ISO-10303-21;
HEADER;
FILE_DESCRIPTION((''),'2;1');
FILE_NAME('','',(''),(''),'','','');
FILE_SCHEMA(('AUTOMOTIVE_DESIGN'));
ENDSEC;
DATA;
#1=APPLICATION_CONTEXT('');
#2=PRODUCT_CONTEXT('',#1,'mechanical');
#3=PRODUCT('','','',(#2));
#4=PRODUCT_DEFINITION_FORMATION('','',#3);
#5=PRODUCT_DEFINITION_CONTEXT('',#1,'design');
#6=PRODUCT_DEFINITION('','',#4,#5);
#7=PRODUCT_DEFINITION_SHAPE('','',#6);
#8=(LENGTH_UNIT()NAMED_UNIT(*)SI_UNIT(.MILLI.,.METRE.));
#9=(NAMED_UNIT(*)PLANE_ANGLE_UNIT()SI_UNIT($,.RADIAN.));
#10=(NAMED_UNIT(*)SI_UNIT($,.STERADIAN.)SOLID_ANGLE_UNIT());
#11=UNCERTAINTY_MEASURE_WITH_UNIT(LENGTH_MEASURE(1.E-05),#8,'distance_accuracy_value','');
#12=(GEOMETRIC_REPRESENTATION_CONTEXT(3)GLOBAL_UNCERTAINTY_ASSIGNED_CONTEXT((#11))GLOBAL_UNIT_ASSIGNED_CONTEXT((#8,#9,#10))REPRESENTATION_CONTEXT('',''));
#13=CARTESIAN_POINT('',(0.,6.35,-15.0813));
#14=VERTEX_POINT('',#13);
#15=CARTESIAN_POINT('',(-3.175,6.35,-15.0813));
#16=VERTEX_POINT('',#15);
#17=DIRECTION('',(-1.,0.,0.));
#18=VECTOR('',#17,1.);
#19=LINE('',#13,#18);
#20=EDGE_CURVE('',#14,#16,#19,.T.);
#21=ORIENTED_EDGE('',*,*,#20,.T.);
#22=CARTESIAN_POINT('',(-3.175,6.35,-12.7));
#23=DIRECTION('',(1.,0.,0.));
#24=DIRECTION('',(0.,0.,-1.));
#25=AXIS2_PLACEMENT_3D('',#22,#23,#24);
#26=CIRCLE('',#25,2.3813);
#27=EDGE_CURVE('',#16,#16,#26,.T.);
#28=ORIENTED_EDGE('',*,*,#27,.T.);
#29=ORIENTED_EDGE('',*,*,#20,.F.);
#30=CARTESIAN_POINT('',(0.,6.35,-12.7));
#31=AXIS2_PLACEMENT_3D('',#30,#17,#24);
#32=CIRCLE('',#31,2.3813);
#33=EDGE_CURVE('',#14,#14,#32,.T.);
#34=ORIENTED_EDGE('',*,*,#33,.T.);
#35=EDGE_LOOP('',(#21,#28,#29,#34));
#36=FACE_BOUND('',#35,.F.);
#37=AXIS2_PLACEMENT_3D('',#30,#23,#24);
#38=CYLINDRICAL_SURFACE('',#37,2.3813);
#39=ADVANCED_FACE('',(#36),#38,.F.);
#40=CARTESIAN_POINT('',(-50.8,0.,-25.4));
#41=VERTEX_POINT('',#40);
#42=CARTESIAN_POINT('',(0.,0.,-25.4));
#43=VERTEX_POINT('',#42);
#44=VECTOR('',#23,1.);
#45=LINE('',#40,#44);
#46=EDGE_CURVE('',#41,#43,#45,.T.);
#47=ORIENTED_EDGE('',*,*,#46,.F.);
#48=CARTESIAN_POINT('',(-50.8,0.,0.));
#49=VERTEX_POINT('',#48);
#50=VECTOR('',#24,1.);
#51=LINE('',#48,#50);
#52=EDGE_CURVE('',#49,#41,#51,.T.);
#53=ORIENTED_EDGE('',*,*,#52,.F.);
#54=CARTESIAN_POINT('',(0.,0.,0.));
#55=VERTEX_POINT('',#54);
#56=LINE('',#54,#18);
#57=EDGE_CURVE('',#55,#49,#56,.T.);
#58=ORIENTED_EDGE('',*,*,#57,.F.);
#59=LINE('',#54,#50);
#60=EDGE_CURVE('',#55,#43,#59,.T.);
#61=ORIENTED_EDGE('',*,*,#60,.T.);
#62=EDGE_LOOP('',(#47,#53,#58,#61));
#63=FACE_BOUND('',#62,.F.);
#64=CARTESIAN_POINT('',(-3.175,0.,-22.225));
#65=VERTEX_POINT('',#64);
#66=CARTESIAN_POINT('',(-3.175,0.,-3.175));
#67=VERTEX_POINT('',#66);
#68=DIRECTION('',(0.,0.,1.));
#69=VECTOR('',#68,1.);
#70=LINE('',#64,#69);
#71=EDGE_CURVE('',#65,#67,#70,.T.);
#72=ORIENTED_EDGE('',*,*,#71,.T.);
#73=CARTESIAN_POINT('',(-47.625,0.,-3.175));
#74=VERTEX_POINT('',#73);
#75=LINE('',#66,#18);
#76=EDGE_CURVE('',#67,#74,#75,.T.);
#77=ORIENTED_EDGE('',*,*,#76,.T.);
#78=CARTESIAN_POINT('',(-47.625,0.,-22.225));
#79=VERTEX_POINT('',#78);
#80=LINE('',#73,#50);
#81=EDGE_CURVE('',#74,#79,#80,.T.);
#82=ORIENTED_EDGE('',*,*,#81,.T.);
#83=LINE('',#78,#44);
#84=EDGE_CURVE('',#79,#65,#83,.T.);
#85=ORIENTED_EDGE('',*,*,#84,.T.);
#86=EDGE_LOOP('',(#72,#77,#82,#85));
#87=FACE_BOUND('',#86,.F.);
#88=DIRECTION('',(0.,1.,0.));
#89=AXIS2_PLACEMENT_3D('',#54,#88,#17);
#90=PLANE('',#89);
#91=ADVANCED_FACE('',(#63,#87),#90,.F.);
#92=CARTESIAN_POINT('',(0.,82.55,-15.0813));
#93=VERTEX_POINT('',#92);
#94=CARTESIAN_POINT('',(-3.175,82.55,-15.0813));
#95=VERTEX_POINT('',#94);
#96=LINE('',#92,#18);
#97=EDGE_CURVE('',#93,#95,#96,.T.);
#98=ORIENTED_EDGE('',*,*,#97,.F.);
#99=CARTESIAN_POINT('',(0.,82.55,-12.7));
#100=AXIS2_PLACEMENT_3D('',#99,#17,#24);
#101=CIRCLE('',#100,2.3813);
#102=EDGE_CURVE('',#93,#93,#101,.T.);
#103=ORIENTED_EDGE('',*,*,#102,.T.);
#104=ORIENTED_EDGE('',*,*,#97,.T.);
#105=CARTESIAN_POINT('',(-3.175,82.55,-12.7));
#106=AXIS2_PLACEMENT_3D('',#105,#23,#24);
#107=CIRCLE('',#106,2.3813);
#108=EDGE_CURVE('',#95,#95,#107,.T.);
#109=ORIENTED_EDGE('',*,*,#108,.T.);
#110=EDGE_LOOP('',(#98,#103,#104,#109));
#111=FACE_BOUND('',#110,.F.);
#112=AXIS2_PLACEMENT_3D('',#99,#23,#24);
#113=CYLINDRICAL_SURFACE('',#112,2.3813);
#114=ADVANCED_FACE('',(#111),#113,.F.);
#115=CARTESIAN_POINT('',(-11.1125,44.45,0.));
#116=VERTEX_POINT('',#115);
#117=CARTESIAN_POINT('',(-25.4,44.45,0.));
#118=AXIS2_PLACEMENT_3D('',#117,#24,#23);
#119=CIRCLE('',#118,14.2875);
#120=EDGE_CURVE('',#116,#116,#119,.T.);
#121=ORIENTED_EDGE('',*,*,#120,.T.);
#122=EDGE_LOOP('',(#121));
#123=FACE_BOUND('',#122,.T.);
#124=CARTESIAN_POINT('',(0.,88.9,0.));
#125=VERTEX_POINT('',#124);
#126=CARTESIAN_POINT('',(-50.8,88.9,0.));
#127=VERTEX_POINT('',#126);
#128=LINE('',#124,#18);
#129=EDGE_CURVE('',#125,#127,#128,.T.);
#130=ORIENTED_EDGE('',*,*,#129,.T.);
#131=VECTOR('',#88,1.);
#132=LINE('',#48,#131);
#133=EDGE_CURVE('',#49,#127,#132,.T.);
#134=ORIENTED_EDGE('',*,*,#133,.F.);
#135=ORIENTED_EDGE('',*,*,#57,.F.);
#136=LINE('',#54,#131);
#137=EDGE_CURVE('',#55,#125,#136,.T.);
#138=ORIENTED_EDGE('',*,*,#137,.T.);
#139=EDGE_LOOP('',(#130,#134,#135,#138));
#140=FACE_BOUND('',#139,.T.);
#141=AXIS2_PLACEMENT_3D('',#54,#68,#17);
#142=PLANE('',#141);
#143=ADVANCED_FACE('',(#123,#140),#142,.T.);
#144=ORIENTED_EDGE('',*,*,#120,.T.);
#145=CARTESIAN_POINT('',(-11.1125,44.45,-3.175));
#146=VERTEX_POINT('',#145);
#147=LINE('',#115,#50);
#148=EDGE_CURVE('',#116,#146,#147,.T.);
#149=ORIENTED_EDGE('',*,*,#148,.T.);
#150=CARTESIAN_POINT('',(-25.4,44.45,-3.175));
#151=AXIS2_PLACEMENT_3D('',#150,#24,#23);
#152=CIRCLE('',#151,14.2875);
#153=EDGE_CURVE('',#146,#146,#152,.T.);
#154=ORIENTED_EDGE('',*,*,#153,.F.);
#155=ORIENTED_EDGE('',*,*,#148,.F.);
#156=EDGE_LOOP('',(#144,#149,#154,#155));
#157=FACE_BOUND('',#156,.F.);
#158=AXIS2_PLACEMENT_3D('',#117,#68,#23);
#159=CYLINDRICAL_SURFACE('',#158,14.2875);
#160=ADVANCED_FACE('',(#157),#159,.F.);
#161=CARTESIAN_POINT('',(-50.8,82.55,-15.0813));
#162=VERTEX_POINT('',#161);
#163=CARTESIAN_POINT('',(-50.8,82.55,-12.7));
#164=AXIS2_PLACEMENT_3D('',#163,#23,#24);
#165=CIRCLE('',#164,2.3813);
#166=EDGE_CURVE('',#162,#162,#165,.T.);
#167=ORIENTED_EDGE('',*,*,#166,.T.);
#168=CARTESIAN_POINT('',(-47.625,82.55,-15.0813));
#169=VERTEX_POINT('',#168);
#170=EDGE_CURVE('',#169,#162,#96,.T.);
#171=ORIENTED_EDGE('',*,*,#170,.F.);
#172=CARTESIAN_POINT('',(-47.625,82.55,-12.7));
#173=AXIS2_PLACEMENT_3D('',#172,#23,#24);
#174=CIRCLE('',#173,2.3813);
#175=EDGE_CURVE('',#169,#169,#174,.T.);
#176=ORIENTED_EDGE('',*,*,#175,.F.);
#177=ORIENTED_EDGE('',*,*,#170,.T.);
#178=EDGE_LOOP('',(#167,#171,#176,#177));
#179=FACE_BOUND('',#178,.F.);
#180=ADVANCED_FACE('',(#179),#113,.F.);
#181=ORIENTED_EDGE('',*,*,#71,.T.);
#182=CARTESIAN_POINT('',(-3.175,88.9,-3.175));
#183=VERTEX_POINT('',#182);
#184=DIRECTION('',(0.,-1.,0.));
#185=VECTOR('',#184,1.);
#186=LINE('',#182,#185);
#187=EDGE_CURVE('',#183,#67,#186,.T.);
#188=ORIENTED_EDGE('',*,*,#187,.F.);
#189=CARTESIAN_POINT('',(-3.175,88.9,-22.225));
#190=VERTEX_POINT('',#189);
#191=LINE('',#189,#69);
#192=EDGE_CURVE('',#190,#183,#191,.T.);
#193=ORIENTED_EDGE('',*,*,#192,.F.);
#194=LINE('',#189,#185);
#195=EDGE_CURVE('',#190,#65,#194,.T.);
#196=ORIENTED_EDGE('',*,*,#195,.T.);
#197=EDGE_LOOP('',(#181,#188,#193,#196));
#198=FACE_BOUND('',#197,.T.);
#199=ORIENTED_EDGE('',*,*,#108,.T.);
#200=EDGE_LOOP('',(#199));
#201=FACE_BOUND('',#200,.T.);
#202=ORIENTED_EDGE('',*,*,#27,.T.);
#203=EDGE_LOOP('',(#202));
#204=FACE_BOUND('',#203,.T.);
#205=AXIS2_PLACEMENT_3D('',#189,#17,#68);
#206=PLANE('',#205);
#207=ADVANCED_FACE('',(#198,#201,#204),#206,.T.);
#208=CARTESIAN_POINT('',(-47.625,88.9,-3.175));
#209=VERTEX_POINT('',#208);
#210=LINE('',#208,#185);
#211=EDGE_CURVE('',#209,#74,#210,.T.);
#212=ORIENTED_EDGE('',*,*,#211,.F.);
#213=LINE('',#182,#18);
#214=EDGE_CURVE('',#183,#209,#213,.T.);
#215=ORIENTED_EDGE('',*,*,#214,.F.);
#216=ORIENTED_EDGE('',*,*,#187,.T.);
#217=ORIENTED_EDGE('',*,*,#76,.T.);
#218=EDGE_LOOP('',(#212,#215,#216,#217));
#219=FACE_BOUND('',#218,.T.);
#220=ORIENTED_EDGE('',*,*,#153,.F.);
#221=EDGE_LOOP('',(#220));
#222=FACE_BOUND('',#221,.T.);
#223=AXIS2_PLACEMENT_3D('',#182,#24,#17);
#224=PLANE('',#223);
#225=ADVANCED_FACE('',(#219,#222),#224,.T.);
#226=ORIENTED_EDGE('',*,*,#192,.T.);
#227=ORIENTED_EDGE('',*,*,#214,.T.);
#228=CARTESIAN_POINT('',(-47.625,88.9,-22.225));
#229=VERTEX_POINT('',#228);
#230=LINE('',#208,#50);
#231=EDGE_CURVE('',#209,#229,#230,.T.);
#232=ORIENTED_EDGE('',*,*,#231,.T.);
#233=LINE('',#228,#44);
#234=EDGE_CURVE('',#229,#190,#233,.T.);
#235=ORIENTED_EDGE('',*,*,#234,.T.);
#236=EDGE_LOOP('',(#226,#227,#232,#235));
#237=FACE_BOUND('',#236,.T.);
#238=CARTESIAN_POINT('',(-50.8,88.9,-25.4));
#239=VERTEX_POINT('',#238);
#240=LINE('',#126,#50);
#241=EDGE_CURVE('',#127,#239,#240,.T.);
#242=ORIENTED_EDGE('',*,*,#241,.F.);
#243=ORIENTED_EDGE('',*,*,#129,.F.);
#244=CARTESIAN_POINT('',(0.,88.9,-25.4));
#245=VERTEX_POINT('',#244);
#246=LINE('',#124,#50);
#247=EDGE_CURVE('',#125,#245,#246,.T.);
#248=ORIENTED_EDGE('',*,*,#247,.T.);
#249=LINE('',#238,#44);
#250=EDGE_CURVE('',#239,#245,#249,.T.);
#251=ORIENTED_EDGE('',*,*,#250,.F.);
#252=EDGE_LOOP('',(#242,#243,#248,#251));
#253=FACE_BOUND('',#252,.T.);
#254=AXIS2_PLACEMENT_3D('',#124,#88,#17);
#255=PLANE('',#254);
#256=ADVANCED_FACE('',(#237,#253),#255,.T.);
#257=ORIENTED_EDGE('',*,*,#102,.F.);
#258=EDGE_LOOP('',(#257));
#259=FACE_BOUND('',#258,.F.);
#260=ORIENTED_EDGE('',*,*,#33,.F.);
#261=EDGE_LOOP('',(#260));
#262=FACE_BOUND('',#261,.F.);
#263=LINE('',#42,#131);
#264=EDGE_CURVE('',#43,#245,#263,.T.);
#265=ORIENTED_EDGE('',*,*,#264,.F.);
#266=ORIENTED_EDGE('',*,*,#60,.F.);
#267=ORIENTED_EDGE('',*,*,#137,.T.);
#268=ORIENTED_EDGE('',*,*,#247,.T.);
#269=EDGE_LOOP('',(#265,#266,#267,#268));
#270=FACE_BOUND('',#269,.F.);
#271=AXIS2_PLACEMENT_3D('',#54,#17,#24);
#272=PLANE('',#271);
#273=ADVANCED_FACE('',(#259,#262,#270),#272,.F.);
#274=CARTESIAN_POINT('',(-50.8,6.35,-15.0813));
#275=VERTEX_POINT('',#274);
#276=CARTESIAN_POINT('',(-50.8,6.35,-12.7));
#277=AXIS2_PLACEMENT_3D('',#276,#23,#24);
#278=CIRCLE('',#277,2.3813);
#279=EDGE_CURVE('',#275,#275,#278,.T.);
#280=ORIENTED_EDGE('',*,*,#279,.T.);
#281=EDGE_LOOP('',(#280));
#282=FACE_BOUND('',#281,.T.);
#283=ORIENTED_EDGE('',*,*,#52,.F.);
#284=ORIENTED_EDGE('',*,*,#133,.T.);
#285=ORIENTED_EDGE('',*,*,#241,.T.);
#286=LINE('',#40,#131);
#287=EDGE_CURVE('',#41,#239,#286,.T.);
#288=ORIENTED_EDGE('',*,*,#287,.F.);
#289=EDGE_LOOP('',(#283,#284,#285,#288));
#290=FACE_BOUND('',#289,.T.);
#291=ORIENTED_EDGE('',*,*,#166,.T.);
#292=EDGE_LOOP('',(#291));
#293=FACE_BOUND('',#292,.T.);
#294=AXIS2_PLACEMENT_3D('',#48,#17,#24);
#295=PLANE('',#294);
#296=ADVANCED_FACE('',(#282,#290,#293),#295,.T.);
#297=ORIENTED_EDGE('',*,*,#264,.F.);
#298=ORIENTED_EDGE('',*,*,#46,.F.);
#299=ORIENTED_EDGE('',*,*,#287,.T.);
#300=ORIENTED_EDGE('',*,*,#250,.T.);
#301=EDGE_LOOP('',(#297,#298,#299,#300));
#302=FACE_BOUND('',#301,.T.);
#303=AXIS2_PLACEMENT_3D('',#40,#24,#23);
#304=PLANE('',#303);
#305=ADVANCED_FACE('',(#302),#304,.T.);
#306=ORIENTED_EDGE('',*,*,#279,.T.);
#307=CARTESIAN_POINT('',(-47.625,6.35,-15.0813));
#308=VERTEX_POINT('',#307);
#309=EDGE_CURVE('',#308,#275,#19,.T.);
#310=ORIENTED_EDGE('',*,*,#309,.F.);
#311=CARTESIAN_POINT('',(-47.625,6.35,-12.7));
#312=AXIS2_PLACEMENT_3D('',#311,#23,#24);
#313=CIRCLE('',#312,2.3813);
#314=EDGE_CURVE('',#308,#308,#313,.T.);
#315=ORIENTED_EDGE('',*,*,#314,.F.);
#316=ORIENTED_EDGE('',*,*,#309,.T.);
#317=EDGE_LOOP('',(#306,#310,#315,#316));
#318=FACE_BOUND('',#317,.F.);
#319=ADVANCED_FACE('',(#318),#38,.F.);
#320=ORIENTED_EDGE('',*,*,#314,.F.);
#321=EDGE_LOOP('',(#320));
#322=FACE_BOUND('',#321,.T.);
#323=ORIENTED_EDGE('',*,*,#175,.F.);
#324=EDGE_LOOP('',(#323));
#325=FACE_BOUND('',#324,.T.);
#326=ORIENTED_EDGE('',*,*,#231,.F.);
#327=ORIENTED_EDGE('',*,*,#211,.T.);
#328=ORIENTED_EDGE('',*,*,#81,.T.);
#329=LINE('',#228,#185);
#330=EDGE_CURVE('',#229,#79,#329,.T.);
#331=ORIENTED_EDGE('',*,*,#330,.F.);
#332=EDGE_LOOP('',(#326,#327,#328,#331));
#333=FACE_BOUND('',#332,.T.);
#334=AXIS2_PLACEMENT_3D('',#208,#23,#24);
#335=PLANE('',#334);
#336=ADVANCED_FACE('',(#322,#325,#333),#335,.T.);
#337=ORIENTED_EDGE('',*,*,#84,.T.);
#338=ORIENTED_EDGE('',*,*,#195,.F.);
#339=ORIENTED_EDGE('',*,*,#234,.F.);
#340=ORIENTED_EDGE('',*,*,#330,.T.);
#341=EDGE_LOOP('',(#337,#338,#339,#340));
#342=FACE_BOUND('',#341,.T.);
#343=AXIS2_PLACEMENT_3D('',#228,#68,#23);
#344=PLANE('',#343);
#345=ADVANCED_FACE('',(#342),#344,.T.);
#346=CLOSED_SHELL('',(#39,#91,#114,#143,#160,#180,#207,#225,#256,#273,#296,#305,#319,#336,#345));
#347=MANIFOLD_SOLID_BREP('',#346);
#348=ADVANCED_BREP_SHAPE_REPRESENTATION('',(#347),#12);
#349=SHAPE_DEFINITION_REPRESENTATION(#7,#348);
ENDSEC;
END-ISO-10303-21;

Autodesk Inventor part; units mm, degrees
ref_plane "YZ Plane" through (0, 0, 0) normal (1, 0, 0) x (0, 1, 0)
ref_plane "XZ Plane" through (0, 0, 0) normal (0, 1, 0) x (-1, 0, 0)
ref_plane "XY Plane" through (0, 0, 0) normal (0, 0, 1) x (1, 0, 0)
sketch "Sketch3" plane through (0, 0, 0) normal (0, 1, 0) x (-1, 0, 0)
  line L0 (0, 0) -> (50.8, 0)
  line L1 (50.8, 0) -> (50.8, -25.4)
  line L2 (50.8, -25.4) -> (0, -25.4)
  line L3 (0, 0) -> (0, -25.4)
  dimension "d9" = 50.8
  dimension "d10" = 25.4
  dimension "d11" = 50.8
extrude "Extrusion3" add sketch "Sketch3" along normal blind 88.9
sketch "Sketch4" plane through (0, 88.9, 0) normal (0, 1, 0) x (1, 0, 0)
  line L0 (0, 25.4) -> (-50.8, 25.4) projected
  line L1 (-50.8, 25.4) -> (-50.8, 0) projected
  line L2 (-50.8, 0) -> (0, 0) projected
  line L3 (0, 0) -> (0, 25.4) projected
  line L4 (-47.625, 22.225) -> (-3.175, 22.225)
  line L5 (-3.175, 22.225) -> (-3.175, 3.175)
  line L6 (-3.175, 3.175) -> (-47.625, 3.175)
  line L7 (-47.625, 3.175) -> (-47.625, 22.225)
  dimension "d14" = 3.175
extrude "Extrusion4" cut sketch "Sketch4" against normal blind 88.9 contours L4 L5 L6 L7
sketch "Sketch5" plane through (-50.8, 0, 0) normal (0, 0, 1) x (1, 0, 0)
  line L0 (0, 0) -> (0, 88.9) projected
  line L1 (0, 0) -> (25.4, 0)
  line L2 (0, 0) -> (50.8, 0) projected
  line L3 (25.4, 0) -> (25.4, 44.45)
  circle A0 centre (25.4, 44.45) radius 14.2875
  dimension "d17" = 25.4
  dimension "d18" = 44.45
  dimension "d19" = 28.575
extrude "Extrusion5" cut sketch "Sketch5" against normal blind 3.175
sketch "Sketch6" plane through (0, 0, 0) normal (1, 0, 0) x (0, 0, -1)
  line L0 (0, 0) -> (25.4, 0) projected
  line L1 (0, 0) -> (12.7, 0)
  line L2 (12.7, 0) -> (12.7, 6.35)
  circle A0 centre (12.7, 6.35) radius 2.3813
  line L3 (25.4, 0) -> (25.4, 88.9) projected
  line L4 (12.7, 6.35) -> (12.7, 82.55)
  circle A1 centre (12.7, 82.55) radius 2.3813
  dimension "d22" = 12.7
  dimension "d23" = 6.35
  dimension "d24" = 4.7625
  dimension "d26" = 76.2
  dimension "d27" = 4.7625
extrude "Extrusion6" cut sketch "Sketch6" against normal up to surface (50.8 mm away)
properties part number "Bar"
